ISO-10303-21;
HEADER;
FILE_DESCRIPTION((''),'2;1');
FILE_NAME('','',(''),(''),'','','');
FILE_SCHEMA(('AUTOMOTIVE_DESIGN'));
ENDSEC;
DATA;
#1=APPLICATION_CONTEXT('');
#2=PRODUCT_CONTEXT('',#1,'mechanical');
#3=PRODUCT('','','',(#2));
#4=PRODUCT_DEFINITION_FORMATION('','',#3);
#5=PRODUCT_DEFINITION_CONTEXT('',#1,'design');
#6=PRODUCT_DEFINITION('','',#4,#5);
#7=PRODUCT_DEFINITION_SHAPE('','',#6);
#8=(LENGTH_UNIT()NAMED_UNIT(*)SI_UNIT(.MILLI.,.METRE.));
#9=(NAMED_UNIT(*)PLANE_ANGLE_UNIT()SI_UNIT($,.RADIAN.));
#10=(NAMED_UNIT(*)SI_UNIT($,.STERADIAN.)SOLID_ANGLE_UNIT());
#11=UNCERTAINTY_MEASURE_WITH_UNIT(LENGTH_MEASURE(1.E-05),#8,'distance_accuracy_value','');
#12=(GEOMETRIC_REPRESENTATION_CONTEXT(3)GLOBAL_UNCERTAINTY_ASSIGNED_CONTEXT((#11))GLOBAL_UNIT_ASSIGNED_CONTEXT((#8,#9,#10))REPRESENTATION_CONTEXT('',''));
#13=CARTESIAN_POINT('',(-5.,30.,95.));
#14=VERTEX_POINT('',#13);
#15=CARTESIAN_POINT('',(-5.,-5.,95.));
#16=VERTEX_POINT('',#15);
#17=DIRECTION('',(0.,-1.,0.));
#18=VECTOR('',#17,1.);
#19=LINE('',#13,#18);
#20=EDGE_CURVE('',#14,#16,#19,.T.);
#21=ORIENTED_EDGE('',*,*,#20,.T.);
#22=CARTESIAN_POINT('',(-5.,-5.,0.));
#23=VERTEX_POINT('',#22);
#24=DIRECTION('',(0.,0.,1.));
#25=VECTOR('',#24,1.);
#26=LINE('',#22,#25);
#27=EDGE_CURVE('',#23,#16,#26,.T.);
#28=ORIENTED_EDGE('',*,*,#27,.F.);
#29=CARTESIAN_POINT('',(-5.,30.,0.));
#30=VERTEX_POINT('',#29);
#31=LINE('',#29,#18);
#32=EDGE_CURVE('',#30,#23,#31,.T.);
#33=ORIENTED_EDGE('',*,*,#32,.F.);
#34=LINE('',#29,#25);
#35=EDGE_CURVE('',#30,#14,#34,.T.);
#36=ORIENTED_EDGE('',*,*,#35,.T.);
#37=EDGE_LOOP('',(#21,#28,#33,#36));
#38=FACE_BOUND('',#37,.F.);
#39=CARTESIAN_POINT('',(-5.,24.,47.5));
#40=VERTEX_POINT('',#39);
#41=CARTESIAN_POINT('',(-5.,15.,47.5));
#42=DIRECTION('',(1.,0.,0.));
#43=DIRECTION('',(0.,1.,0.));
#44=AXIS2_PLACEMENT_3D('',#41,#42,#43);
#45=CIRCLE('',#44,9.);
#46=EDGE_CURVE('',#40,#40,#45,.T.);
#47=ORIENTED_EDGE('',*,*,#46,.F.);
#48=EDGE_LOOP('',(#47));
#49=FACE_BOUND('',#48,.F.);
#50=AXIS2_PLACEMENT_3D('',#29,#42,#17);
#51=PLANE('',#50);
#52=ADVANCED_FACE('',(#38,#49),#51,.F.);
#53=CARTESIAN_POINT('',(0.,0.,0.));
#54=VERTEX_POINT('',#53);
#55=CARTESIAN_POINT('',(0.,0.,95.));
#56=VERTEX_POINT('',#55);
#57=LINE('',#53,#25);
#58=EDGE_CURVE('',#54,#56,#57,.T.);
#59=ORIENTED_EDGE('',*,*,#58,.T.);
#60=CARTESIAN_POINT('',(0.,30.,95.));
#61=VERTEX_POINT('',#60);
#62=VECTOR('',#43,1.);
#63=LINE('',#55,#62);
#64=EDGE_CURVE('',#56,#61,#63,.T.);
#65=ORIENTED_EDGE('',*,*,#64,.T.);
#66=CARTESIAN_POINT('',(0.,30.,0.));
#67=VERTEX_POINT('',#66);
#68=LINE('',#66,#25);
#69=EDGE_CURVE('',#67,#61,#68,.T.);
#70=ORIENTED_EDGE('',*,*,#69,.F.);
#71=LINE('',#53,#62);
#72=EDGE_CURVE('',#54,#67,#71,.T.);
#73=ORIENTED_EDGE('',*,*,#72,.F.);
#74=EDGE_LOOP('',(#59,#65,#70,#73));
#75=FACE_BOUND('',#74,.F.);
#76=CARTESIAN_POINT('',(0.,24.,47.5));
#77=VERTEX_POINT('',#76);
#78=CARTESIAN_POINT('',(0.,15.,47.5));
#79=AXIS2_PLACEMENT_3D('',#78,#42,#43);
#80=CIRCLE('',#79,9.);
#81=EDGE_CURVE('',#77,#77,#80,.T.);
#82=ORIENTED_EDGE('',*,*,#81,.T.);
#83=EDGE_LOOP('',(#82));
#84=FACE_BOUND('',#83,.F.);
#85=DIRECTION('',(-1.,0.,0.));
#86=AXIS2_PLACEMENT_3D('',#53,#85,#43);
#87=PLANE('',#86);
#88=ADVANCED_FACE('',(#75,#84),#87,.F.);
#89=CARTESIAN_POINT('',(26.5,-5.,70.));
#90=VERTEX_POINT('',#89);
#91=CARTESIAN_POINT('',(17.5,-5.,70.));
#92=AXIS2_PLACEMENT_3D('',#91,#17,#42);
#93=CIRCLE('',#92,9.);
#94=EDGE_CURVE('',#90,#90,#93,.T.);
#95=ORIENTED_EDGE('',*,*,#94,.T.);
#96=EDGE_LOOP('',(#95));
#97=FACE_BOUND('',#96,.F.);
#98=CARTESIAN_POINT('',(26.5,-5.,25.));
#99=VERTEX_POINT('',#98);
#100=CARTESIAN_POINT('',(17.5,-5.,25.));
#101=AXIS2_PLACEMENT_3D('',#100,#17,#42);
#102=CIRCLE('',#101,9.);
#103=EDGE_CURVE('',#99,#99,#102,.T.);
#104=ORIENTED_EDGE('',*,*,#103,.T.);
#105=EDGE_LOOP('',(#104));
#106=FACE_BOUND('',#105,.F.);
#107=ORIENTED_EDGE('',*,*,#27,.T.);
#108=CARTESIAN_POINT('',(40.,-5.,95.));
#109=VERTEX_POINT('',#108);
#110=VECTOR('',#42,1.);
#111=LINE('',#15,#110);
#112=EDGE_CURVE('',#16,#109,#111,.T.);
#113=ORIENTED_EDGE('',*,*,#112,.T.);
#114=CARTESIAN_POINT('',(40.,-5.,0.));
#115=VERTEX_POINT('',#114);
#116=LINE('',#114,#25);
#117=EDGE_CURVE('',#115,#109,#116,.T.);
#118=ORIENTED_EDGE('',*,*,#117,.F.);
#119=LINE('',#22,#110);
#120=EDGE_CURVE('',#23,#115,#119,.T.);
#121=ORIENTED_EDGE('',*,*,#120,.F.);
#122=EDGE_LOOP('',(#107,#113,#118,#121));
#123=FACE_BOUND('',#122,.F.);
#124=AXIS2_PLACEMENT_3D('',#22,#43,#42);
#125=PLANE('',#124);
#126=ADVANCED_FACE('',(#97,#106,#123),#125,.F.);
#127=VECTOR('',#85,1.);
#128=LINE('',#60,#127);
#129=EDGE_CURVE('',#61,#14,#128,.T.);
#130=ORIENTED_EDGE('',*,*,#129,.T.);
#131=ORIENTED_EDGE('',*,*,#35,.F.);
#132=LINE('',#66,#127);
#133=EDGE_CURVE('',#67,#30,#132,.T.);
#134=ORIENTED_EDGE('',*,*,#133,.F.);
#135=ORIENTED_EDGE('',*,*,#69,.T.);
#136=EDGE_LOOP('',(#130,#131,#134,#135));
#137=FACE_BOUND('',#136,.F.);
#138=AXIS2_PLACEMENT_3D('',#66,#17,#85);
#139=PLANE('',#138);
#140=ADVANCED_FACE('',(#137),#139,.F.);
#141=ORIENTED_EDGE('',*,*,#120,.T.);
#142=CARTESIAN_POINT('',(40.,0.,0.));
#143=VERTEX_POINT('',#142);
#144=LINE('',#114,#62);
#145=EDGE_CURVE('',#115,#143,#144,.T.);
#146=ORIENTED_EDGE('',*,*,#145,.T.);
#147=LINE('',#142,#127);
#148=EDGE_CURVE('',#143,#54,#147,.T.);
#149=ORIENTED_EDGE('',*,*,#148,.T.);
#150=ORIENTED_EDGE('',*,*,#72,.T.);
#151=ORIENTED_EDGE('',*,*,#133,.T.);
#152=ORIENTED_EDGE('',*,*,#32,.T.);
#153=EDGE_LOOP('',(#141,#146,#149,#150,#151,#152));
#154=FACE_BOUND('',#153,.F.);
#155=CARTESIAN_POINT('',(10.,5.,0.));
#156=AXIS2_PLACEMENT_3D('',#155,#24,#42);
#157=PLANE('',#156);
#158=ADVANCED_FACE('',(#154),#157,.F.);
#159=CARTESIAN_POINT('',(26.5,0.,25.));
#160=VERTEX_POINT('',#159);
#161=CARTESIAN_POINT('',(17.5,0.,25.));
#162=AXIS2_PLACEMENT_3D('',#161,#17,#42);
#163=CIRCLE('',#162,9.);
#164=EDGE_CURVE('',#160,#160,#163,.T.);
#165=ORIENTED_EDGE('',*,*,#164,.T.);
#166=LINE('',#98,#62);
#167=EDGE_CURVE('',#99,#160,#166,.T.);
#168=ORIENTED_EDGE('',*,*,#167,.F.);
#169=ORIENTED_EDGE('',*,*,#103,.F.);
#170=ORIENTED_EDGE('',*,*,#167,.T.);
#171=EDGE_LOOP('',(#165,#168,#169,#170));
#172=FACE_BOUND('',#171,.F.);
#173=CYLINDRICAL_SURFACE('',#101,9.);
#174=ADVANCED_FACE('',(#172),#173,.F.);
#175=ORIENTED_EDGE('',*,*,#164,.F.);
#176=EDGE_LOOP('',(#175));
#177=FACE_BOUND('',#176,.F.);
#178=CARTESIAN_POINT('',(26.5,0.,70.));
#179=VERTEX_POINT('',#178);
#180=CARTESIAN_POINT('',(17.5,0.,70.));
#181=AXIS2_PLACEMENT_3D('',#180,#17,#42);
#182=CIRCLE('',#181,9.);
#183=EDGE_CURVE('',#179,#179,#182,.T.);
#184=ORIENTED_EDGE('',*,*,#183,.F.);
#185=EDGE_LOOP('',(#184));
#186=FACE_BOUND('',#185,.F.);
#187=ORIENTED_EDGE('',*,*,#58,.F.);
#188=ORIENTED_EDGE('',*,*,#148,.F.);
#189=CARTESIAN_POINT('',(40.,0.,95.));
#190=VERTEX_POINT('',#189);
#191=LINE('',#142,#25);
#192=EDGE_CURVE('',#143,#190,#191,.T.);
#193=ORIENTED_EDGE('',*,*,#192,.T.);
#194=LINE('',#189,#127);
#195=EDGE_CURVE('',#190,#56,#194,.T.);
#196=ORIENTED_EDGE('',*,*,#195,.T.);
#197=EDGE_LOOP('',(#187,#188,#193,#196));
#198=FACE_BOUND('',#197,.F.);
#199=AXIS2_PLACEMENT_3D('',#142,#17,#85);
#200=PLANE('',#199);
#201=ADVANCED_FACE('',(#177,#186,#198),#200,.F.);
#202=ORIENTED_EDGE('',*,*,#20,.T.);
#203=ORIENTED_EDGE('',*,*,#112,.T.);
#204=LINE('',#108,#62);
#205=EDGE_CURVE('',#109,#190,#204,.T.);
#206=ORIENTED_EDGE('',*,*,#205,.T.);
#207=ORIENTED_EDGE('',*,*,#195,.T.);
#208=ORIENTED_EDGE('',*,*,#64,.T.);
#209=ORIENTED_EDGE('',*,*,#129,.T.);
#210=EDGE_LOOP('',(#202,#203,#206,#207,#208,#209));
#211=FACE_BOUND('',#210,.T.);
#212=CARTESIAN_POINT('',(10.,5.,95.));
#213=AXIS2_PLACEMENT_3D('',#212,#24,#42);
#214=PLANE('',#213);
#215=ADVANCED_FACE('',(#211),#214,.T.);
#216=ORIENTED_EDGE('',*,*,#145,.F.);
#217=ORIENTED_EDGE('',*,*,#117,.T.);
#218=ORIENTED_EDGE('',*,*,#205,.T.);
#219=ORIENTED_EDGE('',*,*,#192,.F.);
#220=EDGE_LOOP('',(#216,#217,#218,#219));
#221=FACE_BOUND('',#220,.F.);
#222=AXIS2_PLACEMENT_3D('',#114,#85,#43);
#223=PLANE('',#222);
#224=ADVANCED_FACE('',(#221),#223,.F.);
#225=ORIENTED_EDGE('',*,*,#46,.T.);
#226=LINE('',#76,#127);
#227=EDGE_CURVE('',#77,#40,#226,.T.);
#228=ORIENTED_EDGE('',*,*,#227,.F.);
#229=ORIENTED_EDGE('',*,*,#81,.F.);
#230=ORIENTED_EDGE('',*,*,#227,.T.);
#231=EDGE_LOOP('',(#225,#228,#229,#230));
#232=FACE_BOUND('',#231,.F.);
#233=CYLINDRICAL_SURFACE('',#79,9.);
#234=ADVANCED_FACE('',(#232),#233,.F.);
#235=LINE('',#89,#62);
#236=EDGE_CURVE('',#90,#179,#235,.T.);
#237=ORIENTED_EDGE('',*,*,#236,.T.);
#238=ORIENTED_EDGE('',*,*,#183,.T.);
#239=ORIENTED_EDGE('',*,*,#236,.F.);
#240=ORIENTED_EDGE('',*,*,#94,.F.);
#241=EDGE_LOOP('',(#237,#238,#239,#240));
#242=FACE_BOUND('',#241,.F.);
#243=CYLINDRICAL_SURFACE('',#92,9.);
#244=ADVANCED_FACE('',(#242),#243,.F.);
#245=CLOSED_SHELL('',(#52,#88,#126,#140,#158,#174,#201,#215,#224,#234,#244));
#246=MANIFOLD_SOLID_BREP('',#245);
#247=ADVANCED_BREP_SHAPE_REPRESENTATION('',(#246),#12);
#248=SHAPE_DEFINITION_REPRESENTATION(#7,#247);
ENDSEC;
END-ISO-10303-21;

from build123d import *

# Parameters (mm, degrees)
F1_DEPTH = 95
F2_R     = 9
F3_DEPTH = 25
F4_R     = 9
F5_DEPTH = 25


with BuildPart() as f1:
    # F0 (on Top) → F1 (new body)
    with BuildSketch(Plane.XY):
        Polygon((0, 0), (0, 30), (-5, 30), (-5, -5), (40, -5), (40, 0), align=None)
    extrude(amount=F1_DEPTH)

    # F2 (on face) → F3 (cut)
    with BuildSketch(Plane.XZ.offset(5)):
        with Locations((17.5, 70)):
            Circle(F2_R)
        with Locations((17.5, 25)):
            Circle(F2_R)
    extrude(amount=-F3_DEPTH, mode=Mode.SUBTRACT)

    # F4 (on face) → F5 (cut)
    with BuildSketch(Plane.YZ):
        with Locations((15, 47.5)):
            Circle(F4_R)
    extrude(amount=-F5_DEPTH, mode=Mode.SUBTRACT)


solid = f1.part
